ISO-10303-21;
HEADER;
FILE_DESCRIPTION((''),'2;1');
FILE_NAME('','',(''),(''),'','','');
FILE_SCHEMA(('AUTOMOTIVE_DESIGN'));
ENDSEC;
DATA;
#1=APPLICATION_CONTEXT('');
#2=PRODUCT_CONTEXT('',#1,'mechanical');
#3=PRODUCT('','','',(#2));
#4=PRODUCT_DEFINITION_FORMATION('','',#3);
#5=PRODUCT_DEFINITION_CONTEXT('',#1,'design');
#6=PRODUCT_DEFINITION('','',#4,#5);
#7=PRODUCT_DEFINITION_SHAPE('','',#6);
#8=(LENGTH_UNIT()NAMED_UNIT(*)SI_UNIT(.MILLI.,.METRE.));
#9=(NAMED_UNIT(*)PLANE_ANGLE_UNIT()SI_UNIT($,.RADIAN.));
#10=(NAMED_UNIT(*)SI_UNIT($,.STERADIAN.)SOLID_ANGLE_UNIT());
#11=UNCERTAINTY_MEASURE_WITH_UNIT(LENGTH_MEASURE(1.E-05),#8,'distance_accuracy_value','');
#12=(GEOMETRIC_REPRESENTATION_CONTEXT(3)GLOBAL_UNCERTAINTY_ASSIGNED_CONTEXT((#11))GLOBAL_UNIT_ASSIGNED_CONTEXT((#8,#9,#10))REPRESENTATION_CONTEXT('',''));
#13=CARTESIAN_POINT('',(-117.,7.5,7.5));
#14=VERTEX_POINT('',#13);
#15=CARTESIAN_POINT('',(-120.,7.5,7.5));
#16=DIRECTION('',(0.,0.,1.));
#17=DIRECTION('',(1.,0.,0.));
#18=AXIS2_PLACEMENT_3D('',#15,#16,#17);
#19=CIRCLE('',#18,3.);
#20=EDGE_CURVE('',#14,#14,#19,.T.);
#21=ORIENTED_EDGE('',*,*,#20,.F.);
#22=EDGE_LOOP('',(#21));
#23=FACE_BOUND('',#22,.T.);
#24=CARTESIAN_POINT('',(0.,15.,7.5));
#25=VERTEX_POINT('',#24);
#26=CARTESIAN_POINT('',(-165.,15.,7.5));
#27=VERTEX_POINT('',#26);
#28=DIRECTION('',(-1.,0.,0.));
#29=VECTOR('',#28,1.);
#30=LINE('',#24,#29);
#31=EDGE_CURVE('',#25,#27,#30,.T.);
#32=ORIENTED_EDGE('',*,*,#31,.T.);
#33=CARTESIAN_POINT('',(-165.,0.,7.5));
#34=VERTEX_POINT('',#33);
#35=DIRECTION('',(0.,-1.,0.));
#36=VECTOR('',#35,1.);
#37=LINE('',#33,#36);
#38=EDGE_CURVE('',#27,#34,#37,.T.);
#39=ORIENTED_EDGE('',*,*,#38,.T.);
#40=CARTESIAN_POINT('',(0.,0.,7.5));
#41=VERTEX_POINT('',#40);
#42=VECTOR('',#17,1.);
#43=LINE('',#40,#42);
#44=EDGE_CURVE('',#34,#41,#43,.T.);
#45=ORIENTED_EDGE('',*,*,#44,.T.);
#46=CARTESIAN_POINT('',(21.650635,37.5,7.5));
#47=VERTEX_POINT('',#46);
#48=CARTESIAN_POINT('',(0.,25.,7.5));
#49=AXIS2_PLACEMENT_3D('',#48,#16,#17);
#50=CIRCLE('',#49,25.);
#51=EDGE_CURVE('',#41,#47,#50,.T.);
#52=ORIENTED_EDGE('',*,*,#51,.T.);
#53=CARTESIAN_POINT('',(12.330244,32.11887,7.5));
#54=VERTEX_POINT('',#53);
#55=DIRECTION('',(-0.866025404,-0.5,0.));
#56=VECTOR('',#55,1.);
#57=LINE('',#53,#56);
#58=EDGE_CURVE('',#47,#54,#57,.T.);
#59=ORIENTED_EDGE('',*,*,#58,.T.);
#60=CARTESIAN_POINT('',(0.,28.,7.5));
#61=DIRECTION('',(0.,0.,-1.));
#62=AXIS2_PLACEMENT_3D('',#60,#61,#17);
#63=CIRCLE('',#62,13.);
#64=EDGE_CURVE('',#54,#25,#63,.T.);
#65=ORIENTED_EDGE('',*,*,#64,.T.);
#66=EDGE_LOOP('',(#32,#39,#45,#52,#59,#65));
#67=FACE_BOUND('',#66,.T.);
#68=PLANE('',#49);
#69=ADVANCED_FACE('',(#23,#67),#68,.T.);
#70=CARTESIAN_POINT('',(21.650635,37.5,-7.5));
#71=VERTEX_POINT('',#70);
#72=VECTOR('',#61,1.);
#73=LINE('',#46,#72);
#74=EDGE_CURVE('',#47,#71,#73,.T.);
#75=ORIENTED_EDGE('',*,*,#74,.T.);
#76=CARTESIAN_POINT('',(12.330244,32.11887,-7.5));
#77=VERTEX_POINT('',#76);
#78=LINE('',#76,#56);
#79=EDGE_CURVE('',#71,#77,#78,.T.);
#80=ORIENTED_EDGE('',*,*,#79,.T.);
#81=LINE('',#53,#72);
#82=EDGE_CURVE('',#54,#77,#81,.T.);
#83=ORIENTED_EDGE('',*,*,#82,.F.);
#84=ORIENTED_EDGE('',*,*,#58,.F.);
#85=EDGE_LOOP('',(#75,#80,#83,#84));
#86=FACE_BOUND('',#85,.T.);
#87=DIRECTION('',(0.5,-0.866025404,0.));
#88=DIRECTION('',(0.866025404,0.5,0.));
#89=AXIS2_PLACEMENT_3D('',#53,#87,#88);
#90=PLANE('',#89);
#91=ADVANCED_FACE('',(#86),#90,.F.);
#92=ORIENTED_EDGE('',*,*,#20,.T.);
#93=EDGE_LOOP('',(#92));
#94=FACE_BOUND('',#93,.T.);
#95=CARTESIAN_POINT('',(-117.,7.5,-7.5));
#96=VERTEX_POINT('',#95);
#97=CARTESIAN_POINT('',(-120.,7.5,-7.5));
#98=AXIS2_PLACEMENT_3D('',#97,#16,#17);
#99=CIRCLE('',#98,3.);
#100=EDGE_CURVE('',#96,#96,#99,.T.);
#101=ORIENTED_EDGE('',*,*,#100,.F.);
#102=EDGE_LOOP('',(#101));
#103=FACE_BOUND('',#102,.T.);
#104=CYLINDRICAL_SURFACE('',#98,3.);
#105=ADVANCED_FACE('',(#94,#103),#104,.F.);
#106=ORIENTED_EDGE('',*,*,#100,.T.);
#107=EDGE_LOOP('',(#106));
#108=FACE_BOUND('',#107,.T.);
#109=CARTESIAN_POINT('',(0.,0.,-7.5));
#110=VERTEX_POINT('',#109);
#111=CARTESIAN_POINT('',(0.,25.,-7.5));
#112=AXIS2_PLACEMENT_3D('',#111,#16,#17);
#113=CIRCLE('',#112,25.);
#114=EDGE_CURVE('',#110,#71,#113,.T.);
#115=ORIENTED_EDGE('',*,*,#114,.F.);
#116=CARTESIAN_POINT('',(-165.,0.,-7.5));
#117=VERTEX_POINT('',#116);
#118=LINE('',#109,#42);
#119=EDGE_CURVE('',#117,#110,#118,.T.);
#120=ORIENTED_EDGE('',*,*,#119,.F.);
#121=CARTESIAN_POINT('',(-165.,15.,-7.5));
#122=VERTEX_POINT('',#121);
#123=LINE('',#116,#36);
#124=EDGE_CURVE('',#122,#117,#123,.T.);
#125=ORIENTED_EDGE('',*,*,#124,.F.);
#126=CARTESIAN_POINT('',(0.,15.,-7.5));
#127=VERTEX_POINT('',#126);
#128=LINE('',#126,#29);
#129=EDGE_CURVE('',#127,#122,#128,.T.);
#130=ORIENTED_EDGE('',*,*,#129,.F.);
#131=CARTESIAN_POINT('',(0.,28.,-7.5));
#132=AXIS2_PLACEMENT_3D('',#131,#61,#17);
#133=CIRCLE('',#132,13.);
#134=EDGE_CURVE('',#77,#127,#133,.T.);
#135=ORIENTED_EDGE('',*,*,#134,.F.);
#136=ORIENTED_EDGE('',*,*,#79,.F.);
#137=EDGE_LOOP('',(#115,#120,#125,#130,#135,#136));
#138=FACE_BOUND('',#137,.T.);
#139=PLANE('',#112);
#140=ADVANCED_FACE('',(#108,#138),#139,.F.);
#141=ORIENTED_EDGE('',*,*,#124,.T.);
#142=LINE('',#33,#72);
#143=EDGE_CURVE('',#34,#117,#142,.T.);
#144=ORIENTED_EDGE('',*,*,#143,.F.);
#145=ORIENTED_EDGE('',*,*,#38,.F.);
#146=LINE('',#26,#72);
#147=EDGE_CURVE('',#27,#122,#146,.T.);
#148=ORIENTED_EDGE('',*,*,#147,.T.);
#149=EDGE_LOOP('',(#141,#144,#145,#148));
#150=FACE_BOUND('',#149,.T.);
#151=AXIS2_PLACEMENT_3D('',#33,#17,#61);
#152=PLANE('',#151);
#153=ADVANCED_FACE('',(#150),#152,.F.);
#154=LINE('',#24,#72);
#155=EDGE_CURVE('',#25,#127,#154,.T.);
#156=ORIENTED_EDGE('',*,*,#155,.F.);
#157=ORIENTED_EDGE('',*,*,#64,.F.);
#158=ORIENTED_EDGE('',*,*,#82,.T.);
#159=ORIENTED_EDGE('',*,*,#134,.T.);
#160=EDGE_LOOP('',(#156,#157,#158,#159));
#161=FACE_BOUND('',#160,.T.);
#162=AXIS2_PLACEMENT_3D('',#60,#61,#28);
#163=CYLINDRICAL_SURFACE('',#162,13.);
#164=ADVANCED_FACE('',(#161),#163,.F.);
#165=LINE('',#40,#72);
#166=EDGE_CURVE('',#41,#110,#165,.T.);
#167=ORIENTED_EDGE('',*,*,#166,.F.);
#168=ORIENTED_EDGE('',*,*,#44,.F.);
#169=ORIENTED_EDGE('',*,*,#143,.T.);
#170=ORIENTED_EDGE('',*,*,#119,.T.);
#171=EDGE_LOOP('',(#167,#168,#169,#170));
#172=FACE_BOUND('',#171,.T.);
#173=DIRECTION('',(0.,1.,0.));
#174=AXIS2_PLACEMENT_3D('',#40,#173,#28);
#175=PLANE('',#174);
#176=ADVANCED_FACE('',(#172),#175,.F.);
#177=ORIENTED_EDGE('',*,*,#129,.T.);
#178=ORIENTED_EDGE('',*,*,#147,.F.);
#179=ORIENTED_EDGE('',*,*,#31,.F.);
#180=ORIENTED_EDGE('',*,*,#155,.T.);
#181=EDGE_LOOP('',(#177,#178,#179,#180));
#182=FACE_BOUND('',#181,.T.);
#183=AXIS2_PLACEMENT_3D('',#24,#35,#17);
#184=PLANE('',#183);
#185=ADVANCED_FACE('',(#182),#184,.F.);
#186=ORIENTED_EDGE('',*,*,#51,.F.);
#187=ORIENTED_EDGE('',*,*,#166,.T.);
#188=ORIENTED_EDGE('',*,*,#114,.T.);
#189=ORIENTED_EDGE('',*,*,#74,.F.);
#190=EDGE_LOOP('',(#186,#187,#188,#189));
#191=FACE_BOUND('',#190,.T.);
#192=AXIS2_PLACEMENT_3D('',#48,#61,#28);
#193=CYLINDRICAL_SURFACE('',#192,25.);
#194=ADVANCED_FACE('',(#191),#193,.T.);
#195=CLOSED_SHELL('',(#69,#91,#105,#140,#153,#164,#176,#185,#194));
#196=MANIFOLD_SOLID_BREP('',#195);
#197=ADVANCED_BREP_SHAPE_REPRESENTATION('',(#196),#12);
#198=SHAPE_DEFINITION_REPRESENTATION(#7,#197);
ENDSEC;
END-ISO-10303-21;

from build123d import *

# Parameters (mm, degrees)
SALIENTE_EXTRUIR1_DEPTH = 7.5
CROQUIS2_R              = 3
CORTAR_EXTRUIR1_DEPTH   = 170.871274794


with BuildPart() as part:
    # Croquis1 → Saliente-Extruir1 (new, symmetric)
    with BuildSketch(Plane.XY):
        with BuildLine():
            Line((12.330243842, 32.118869601), (21.650635095, 37.5))
            ThreePointArc((21.650635095, 37.5), (21.650635095, 12.5), (0, 0))
            Line((0, 0), (-165, 0))
            Line((-165, 0), (-165, 15))
            Line((-165, 15), (0, 15))
            ThreePointArc((0, 15), (10.548585327, 20.402148489), (12.330243842, 32.118869601))
        make_face()
    extrude(amount=SALIENTE_EXTRUIR1_DEPTH, both=True)

    # Croquis2 → Cortar-Extruir1 (cut, through all)
    with BuildSketch(Plane.XY.offset(7.5)):
        with Locations((-120, 7.5)):
            Circle(CROQUIS2_R)
    extrude(amount=-CORTAR_EXTRUIR1_DEPTH, mode=Mode.SUBTRACT)


solid = part.part
